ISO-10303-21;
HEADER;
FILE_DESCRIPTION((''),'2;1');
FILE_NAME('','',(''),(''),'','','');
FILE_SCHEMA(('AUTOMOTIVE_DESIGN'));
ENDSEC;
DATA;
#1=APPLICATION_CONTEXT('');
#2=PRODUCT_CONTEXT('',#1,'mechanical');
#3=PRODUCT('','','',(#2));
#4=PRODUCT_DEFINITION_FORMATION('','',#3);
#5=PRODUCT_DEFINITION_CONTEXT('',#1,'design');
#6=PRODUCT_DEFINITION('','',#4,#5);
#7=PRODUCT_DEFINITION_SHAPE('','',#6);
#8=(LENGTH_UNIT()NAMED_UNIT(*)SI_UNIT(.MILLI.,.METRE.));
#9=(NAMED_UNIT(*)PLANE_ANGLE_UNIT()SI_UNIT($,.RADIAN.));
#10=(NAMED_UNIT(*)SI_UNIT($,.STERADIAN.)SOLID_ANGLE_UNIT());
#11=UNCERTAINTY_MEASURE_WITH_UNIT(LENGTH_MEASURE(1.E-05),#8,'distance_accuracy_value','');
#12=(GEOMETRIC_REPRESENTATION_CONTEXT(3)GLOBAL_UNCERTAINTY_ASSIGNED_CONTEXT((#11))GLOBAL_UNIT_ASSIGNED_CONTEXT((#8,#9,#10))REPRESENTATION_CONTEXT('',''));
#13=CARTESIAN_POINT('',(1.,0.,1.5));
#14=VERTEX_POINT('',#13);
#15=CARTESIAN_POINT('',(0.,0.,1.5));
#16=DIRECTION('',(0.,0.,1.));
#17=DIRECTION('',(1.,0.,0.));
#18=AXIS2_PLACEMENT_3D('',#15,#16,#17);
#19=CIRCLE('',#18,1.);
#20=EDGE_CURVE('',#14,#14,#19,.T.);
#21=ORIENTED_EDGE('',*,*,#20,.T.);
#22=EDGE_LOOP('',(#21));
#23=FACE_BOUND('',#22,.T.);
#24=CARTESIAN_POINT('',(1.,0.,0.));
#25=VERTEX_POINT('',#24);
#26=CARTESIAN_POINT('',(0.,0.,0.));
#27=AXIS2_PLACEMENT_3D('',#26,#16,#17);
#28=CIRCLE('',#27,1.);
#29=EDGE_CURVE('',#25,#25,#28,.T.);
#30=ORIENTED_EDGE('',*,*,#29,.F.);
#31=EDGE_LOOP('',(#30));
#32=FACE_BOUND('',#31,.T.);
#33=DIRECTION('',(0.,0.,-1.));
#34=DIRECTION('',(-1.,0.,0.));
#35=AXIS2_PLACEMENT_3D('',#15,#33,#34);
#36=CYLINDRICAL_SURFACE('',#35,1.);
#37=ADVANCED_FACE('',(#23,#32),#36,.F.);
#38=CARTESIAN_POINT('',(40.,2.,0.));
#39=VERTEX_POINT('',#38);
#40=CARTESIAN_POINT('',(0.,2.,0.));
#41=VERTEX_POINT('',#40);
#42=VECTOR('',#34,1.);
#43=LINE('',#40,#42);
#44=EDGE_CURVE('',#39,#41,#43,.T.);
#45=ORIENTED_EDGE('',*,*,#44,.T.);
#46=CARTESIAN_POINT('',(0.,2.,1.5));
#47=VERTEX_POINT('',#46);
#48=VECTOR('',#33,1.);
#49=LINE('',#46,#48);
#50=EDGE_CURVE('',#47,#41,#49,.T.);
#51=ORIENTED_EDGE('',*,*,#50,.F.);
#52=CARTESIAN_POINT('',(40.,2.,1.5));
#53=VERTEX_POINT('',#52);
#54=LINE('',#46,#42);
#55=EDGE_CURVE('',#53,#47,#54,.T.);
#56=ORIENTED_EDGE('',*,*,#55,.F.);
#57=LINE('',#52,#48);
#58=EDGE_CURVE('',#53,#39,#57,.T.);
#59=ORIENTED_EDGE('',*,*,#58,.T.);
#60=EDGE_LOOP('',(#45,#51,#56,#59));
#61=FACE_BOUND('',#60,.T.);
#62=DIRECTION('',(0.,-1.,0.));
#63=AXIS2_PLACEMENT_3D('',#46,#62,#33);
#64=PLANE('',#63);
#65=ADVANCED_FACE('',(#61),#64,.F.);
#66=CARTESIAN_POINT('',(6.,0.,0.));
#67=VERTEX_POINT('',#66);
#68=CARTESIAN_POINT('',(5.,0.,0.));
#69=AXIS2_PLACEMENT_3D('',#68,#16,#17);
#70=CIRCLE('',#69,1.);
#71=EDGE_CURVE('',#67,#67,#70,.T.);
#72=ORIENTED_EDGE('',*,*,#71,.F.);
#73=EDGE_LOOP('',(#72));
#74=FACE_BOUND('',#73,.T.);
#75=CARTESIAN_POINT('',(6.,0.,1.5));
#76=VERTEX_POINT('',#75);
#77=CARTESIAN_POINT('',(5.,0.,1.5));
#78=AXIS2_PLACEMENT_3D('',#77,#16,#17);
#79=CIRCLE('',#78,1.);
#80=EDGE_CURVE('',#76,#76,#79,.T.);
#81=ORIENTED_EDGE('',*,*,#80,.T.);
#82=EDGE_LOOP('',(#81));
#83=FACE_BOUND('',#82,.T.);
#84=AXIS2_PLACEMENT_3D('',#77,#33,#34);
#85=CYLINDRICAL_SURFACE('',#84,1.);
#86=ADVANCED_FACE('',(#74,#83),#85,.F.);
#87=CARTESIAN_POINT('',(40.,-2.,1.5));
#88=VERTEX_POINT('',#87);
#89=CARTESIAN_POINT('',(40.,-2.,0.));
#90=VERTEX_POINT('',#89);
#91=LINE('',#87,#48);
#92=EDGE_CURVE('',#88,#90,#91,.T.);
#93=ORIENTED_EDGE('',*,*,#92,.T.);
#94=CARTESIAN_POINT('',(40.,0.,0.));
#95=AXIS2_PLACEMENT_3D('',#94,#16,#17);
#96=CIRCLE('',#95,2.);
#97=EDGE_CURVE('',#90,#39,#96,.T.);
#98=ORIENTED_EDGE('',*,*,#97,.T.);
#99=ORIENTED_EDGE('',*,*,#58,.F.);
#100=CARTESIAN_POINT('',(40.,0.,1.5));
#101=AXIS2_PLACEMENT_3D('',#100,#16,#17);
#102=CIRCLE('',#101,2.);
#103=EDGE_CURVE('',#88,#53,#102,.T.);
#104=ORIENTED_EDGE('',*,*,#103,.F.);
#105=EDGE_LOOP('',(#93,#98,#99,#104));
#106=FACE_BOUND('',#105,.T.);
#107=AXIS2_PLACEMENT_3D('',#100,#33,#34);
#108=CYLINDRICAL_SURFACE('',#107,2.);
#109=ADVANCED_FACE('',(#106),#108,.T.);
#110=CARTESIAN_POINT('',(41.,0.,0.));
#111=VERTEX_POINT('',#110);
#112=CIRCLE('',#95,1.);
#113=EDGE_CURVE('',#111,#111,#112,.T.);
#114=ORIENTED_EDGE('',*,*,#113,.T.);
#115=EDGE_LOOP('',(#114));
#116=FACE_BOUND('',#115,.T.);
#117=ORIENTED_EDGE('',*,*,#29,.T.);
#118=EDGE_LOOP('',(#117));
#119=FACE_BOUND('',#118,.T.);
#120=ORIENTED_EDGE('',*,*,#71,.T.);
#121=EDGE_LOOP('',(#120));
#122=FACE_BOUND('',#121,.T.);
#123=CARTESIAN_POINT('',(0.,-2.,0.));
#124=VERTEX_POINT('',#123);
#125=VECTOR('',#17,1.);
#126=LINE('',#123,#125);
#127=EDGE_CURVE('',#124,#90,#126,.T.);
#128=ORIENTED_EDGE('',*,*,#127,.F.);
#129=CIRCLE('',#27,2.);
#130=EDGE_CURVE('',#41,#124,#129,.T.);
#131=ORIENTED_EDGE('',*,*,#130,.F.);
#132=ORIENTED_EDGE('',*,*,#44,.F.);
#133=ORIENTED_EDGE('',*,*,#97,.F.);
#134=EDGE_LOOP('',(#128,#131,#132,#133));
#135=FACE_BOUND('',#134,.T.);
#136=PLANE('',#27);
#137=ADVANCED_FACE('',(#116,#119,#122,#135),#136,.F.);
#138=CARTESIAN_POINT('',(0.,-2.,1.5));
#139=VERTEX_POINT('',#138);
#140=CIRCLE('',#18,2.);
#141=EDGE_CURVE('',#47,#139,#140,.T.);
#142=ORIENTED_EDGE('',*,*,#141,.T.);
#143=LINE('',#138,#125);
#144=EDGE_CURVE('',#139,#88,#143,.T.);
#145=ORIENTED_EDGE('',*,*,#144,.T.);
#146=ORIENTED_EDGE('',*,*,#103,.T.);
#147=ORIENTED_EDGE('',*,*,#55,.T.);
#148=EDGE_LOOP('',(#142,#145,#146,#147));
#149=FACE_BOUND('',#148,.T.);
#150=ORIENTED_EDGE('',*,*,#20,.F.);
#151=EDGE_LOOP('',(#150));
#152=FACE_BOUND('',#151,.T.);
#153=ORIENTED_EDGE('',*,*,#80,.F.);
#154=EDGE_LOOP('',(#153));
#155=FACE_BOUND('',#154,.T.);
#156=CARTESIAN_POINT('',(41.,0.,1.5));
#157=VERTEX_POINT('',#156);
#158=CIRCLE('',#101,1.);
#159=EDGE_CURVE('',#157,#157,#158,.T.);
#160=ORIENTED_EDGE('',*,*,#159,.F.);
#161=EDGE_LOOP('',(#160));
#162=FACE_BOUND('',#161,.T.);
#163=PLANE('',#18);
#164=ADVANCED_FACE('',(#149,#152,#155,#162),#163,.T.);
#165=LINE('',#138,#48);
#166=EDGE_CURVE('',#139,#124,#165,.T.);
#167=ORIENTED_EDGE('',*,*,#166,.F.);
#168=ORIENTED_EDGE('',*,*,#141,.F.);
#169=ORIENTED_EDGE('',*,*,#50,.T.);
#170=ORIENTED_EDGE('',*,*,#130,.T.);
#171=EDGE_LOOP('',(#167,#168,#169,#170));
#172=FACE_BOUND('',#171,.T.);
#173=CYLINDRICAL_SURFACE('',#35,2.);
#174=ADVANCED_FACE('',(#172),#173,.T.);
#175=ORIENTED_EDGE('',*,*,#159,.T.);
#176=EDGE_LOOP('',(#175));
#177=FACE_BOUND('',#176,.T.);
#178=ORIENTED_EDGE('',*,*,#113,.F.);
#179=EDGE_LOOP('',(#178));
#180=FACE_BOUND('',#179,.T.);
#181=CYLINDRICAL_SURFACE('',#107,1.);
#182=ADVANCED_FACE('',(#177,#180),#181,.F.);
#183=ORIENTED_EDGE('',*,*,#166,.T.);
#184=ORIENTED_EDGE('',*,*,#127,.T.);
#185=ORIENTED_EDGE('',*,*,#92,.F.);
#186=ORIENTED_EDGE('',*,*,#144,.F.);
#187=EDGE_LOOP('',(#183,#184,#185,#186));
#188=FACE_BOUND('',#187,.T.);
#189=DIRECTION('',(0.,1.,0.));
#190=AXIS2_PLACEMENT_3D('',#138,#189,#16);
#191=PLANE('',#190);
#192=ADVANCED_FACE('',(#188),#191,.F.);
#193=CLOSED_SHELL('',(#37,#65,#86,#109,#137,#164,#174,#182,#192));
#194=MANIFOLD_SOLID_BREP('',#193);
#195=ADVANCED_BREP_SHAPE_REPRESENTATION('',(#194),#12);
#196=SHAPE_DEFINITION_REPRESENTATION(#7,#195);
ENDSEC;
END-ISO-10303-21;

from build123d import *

# Parameters (mm, degrees)
SKETCH_1_R      = 1
EXTRUDE_1_DEPTH = 1.5


with BuildPart() as part:
    # 草图1 → 凸台-拉伸1 (new body)
    with BuildSketch(Plane.XY):
        with BuildLine():
            Line((0, 2), (40, 2))
            ThreePointArc((40, 2), (42, 0), (40, -2))
            Line((40, -2), (0, -2))
            ThreePointArc((0, -2), (-2, 0), (0, 2))
        make_face()
        with Locations((40, 0)):
            Circle(SKETCH_1_R, mode=Mode.SUBTRACT)
        Circle(SKETCH_1_R, mode=Mode.SUBTRACT)
        with Locations((5, 0)):
            Circle(SKETCH_1_R, mode=Mode.SUBTRACT)
    extrude(amount=EXTRUDE_1_DEPTH)


solid = part.part
